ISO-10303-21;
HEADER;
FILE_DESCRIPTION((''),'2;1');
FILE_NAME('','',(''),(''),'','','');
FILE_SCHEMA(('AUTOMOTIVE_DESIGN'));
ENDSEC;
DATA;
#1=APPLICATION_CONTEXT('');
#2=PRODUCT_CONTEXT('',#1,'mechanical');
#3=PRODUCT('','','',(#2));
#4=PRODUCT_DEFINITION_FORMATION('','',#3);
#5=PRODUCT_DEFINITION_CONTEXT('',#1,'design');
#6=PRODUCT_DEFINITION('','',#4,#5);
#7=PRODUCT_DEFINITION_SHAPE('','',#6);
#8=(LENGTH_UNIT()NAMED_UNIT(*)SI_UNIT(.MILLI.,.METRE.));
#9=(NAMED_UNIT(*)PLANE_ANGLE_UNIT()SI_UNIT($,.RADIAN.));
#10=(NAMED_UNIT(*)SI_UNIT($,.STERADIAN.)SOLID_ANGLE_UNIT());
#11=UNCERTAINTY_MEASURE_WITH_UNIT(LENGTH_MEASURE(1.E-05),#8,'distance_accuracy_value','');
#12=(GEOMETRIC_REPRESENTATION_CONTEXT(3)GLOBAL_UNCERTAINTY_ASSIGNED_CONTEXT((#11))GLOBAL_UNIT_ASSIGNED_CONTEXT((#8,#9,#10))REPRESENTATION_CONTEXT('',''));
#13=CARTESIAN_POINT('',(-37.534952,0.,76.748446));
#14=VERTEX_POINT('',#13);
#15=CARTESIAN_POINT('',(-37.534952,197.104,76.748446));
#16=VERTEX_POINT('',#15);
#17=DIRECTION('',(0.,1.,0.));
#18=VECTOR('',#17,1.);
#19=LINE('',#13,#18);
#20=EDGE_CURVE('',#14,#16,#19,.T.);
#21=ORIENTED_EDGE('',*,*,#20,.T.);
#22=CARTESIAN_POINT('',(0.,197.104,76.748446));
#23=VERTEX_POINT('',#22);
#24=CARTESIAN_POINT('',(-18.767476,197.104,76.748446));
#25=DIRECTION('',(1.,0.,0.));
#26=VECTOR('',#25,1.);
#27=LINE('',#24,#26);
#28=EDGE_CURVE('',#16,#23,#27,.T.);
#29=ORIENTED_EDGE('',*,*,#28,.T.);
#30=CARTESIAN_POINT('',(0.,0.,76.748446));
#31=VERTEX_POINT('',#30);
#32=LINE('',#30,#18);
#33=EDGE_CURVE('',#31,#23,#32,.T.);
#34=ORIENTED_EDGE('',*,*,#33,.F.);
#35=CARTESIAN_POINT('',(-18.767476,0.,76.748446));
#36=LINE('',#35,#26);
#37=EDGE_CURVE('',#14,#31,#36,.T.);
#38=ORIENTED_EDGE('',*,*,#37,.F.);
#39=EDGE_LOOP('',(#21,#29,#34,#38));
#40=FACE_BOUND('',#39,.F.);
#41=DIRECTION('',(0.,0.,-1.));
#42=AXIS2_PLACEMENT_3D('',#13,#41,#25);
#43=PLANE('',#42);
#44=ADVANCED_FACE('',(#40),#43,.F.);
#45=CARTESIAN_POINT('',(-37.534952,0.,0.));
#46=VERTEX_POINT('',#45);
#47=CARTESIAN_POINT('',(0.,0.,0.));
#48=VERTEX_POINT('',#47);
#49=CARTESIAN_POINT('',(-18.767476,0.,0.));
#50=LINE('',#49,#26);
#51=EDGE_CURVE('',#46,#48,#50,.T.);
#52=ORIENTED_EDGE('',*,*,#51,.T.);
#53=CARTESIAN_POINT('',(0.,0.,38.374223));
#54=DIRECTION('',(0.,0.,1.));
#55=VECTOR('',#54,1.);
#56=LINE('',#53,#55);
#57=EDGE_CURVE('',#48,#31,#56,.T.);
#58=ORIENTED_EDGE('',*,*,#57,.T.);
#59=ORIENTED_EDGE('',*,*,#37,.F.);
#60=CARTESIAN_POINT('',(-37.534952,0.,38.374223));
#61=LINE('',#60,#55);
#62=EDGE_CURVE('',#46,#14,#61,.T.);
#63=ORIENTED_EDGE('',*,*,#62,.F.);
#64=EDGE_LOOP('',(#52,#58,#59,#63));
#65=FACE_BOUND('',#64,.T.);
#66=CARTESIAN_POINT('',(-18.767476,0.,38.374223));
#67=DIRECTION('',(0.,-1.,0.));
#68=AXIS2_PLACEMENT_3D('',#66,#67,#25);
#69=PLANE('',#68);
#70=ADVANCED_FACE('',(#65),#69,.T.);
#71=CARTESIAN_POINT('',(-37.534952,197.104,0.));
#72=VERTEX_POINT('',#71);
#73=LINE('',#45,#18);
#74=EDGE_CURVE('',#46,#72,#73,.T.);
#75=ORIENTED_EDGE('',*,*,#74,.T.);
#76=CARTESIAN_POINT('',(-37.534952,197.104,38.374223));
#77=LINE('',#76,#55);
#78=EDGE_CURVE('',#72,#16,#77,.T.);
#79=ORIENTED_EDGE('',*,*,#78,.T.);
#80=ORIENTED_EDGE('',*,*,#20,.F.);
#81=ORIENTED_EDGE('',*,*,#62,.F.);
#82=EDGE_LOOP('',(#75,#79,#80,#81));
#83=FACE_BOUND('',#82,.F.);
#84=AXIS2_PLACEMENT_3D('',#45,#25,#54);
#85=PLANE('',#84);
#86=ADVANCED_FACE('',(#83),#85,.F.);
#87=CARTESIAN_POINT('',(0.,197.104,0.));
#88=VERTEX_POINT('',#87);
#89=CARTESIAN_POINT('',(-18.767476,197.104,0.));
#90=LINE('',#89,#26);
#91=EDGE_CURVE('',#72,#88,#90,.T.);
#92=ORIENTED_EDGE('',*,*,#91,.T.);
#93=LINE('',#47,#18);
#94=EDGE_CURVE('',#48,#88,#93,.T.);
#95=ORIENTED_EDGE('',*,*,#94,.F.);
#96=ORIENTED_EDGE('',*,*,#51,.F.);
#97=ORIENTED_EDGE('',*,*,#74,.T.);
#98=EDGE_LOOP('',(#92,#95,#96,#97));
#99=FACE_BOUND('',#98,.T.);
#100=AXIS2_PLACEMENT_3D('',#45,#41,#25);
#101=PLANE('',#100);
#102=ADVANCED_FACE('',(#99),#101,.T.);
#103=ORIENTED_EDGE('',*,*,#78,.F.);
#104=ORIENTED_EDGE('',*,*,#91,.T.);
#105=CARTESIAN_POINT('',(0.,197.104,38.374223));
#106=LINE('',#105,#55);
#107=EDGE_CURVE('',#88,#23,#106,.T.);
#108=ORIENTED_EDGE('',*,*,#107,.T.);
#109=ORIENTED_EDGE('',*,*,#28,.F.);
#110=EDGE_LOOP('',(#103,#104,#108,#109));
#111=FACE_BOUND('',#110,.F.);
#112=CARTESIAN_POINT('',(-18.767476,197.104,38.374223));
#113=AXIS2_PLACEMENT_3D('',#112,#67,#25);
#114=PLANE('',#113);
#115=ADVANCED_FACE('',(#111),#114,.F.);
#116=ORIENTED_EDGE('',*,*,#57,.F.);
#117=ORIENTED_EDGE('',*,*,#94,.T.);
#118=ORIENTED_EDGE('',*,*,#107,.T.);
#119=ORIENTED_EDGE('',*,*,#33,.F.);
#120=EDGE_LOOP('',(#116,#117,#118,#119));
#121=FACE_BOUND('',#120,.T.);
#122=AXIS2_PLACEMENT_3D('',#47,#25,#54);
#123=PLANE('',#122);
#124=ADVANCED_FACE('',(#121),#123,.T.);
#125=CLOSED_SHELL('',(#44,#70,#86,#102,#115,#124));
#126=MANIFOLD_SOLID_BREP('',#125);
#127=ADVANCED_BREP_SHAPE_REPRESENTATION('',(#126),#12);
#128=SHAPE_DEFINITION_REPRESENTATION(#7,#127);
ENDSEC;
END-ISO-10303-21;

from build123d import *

# Parameters (mm, degrees)
F0_W     = 37.534952
F0_H     = 76.748446
F1_DEPTH = 197.104
F2_R     = 23.57647
F3_DEPTH = 196.342


with BuildPart() as f1:
    # F0 (on Front) → F1 (new body)
    with BuildSketch(Plane.XZ):
        with Locations((-18.767476, 38.374223)):
            Rectangle(F0_W, F0_H)
    extrude(amount=-F1_DEPTH)


with BuildPart() as f3:
    # F2 (on Front) → F3 (new body)
    with BuildSketch(Plane.XZ):
        with Locations((-66.800937, 83.592579)):
            Circle(F2_R)
    extrude(amount=-F3_DEPTH)


solid = f1.part
